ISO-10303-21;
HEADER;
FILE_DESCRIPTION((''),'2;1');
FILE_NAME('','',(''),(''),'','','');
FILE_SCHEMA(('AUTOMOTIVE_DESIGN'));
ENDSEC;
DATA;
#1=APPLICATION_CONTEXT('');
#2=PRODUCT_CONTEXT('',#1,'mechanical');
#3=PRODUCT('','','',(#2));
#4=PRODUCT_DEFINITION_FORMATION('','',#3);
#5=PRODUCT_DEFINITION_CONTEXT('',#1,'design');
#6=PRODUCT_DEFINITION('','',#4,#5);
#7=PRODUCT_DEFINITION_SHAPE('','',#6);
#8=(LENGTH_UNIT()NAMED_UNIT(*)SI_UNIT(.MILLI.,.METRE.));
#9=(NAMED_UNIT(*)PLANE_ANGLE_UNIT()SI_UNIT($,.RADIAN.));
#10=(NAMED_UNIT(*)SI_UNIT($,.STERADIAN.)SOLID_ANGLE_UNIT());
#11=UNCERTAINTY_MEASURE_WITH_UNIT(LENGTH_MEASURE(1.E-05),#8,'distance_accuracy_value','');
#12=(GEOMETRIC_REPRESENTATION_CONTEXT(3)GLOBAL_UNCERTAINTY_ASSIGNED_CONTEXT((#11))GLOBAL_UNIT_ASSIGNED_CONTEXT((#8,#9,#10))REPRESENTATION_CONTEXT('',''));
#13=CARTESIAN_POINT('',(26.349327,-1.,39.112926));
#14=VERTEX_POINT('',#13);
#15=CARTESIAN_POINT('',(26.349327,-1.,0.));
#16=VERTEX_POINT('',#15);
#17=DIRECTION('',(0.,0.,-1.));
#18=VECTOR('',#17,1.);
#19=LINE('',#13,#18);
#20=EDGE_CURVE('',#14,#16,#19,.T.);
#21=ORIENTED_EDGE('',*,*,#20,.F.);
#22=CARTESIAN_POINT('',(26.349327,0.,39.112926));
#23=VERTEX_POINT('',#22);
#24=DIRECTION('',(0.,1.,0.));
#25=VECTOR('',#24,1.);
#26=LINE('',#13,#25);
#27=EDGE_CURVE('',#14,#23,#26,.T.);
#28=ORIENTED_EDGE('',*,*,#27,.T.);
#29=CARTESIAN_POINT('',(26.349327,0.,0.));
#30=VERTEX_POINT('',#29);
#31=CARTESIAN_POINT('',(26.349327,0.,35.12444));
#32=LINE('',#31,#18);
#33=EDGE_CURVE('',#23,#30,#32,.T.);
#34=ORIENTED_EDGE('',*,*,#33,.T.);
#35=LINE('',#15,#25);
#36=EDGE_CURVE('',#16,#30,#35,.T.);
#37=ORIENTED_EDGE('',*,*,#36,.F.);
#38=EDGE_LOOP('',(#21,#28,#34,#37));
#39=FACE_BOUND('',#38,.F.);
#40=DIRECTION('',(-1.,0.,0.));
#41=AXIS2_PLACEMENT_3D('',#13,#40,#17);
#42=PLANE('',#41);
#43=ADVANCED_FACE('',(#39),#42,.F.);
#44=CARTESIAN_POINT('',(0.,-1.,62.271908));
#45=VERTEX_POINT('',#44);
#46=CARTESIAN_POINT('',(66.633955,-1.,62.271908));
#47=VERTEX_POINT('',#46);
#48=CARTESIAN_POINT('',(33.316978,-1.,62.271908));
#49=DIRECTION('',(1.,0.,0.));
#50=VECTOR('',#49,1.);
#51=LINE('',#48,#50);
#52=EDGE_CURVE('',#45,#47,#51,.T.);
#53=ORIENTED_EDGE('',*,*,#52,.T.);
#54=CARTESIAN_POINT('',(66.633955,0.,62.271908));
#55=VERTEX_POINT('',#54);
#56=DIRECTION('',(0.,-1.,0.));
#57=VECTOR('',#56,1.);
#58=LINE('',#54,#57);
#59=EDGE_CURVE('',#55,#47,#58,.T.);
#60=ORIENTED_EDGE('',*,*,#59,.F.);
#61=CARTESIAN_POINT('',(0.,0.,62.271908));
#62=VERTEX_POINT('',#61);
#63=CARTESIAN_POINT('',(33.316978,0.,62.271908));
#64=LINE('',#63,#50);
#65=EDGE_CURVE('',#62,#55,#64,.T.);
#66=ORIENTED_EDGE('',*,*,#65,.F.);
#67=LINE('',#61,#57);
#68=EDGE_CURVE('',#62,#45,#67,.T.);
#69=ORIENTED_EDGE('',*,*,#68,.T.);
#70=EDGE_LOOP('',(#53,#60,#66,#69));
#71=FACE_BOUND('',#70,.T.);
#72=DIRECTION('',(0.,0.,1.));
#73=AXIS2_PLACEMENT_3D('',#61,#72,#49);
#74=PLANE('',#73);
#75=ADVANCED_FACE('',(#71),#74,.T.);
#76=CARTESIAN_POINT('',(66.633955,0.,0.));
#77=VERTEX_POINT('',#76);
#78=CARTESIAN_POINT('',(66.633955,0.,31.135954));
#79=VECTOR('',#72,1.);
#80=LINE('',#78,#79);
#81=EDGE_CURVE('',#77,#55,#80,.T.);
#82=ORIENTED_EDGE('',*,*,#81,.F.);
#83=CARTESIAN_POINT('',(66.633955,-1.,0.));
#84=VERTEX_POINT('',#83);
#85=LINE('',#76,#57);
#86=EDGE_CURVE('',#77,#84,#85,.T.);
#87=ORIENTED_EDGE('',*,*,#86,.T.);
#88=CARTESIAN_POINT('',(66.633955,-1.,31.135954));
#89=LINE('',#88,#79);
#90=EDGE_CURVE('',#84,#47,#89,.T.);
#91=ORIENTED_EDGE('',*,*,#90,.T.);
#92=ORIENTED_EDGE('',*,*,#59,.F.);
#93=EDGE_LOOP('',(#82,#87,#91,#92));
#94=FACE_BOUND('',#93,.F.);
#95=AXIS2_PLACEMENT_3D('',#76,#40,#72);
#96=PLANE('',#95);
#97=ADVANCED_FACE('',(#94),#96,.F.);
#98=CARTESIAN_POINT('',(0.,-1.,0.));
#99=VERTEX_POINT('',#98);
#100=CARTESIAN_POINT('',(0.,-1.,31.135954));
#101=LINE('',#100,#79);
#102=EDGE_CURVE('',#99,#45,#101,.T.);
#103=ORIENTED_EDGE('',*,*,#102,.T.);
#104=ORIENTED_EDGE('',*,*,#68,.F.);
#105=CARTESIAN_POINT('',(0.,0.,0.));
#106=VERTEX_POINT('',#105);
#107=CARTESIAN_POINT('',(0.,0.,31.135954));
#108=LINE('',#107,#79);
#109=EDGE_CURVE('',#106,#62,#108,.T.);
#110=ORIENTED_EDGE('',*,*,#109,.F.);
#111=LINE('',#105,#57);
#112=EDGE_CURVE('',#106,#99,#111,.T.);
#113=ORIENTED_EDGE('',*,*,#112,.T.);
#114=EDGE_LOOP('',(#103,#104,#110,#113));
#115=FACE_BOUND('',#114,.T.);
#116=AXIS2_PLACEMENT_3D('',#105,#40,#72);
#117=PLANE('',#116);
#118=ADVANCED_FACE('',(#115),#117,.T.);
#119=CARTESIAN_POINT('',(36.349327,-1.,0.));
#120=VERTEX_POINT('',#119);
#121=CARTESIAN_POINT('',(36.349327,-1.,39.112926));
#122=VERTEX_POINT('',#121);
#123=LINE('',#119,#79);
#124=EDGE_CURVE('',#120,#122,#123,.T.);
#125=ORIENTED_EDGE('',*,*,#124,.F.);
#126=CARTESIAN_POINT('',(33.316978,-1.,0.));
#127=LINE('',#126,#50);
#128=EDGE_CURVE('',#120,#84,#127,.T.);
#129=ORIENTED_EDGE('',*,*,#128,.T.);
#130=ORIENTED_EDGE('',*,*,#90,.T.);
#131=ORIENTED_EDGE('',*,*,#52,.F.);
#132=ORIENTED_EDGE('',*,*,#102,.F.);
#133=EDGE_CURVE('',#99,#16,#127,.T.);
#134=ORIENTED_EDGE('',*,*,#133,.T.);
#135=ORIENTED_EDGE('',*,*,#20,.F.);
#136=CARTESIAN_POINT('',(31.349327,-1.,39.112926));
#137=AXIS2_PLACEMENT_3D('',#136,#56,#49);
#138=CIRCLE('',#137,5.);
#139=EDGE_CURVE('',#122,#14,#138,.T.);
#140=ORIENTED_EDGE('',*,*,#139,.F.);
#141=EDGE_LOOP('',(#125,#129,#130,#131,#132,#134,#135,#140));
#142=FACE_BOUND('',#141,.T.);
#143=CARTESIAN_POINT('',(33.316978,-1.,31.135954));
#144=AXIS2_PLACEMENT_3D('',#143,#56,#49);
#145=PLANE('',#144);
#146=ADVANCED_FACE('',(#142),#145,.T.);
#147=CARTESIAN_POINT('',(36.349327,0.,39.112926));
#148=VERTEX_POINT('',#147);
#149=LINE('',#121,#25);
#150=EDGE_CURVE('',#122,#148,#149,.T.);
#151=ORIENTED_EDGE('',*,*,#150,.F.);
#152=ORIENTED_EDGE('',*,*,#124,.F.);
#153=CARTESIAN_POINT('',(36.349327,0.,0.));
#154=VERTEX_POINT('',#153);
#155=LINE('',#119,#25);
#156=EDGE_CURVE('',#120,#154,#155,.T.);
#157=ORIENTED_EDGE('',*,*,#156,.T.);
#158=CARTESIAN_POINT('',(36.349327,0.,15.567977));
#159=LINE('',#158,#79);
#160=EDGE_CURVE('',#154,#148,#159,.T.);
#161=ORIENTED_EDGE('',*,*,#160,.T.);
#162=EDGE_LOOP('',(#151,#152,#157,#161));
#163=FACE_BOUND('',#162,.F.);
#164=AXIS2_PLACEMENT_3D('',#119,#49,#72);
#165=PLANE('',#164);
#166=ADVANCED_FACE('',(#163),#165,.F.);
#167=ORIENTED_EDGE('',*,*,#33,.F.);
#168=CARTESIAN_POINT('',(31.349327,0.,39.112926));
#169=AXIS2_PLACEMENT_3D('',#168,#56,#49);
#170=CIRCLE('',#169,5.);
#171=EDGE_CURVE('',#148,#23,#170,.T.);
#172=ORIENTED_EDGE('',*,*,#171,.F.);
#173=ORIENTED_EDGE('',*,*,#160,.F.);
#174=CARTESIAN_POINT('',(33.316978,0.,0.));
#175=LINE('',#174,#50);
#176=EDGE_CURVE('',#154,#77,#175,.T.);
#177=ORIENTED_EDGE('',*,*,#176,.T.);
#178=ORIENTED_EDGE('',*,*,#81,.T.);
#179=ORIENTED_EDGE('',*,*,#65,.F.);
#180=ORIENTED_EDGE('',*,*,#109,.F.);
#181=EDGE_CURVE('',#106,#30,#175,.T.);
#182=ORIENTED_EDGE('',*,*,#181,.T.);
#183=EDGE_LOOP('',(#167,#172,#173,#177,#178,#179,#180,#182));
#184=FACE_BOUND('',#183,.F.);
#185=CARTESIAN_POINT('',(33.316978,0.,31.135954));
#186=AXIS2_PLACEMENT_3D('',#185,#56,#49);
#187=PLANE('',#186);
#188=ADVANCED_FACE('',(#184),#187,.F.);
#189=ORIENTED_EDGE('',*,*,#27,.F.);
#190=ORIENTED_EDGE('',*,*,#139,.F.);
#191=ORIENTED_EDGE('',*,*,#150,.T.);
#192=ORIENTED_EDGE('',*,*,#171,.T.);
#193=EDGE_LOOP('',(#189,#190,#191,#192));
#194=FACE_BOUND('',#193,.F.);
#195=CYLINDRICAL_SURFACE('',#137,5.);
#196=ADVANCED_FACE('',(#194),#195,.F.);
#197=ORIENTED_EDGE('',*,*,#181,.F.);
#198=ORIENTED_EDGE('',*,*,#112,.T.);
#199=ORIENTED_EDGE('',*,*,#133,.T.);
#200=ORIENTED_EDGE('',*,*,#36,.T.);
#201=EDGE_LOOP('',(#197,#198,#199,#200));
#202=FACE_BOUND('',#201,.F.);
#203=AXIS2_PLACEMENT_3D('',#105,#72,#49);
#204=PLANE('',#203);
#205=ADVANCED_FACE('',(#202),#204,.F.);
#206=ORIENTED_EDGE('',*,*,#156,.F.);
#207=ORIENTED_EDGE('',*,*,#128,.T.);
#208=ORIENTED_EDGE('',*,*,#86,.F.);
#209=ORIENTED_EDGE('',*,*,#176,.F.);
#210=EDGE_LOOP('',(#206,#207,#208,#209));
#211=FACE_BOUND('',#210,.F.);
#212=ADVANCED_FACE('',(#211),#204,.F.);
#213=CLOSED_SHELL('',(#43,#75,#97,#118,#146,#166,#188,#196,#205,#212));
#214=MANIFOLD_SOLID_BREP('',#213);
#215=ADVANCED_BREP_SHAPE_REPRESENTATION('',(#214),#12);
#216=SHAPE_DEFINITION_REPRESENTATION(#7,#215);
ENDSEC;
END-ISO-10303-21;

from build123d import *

# Parameters (mm, degrees)
F0_W     = 66.633955
F0_H     = 62.271908
F1_DEPTH = 1
F3_DEPTH = 1.001


with BuildPart() as f1:
    # F0 (on Front) → F1 (new body)
    with BuildSketch(Plane.XZ):
        with Locations((33.316978, 31.135954)):
            Rectangle(F0_W, F0_H)
    extrude(amount=F1_DEPTH)

    # F2 (on face) → F3 (cut, through all)
    with BuildSketch(Plane.XZ.offset(1)):
        with BuildLine():
            Line((31.349327, 0), (36.349327, 0))
            Line((36.349327, 0), (36.349327, 39.112926))
            ThreePointArc((36.349327, 39.112926), (31.349327, 44.112926), (26.349327, 39.112926))
            Line((26.349327, 39.112926), (26.349327, 0))
            Line((26.349327, 0), (31.349327, 0))
        make_face()
    extrude(amount=-F3_DEPTH, mode=Mode.SUBTRACT)


solid = f1.part
